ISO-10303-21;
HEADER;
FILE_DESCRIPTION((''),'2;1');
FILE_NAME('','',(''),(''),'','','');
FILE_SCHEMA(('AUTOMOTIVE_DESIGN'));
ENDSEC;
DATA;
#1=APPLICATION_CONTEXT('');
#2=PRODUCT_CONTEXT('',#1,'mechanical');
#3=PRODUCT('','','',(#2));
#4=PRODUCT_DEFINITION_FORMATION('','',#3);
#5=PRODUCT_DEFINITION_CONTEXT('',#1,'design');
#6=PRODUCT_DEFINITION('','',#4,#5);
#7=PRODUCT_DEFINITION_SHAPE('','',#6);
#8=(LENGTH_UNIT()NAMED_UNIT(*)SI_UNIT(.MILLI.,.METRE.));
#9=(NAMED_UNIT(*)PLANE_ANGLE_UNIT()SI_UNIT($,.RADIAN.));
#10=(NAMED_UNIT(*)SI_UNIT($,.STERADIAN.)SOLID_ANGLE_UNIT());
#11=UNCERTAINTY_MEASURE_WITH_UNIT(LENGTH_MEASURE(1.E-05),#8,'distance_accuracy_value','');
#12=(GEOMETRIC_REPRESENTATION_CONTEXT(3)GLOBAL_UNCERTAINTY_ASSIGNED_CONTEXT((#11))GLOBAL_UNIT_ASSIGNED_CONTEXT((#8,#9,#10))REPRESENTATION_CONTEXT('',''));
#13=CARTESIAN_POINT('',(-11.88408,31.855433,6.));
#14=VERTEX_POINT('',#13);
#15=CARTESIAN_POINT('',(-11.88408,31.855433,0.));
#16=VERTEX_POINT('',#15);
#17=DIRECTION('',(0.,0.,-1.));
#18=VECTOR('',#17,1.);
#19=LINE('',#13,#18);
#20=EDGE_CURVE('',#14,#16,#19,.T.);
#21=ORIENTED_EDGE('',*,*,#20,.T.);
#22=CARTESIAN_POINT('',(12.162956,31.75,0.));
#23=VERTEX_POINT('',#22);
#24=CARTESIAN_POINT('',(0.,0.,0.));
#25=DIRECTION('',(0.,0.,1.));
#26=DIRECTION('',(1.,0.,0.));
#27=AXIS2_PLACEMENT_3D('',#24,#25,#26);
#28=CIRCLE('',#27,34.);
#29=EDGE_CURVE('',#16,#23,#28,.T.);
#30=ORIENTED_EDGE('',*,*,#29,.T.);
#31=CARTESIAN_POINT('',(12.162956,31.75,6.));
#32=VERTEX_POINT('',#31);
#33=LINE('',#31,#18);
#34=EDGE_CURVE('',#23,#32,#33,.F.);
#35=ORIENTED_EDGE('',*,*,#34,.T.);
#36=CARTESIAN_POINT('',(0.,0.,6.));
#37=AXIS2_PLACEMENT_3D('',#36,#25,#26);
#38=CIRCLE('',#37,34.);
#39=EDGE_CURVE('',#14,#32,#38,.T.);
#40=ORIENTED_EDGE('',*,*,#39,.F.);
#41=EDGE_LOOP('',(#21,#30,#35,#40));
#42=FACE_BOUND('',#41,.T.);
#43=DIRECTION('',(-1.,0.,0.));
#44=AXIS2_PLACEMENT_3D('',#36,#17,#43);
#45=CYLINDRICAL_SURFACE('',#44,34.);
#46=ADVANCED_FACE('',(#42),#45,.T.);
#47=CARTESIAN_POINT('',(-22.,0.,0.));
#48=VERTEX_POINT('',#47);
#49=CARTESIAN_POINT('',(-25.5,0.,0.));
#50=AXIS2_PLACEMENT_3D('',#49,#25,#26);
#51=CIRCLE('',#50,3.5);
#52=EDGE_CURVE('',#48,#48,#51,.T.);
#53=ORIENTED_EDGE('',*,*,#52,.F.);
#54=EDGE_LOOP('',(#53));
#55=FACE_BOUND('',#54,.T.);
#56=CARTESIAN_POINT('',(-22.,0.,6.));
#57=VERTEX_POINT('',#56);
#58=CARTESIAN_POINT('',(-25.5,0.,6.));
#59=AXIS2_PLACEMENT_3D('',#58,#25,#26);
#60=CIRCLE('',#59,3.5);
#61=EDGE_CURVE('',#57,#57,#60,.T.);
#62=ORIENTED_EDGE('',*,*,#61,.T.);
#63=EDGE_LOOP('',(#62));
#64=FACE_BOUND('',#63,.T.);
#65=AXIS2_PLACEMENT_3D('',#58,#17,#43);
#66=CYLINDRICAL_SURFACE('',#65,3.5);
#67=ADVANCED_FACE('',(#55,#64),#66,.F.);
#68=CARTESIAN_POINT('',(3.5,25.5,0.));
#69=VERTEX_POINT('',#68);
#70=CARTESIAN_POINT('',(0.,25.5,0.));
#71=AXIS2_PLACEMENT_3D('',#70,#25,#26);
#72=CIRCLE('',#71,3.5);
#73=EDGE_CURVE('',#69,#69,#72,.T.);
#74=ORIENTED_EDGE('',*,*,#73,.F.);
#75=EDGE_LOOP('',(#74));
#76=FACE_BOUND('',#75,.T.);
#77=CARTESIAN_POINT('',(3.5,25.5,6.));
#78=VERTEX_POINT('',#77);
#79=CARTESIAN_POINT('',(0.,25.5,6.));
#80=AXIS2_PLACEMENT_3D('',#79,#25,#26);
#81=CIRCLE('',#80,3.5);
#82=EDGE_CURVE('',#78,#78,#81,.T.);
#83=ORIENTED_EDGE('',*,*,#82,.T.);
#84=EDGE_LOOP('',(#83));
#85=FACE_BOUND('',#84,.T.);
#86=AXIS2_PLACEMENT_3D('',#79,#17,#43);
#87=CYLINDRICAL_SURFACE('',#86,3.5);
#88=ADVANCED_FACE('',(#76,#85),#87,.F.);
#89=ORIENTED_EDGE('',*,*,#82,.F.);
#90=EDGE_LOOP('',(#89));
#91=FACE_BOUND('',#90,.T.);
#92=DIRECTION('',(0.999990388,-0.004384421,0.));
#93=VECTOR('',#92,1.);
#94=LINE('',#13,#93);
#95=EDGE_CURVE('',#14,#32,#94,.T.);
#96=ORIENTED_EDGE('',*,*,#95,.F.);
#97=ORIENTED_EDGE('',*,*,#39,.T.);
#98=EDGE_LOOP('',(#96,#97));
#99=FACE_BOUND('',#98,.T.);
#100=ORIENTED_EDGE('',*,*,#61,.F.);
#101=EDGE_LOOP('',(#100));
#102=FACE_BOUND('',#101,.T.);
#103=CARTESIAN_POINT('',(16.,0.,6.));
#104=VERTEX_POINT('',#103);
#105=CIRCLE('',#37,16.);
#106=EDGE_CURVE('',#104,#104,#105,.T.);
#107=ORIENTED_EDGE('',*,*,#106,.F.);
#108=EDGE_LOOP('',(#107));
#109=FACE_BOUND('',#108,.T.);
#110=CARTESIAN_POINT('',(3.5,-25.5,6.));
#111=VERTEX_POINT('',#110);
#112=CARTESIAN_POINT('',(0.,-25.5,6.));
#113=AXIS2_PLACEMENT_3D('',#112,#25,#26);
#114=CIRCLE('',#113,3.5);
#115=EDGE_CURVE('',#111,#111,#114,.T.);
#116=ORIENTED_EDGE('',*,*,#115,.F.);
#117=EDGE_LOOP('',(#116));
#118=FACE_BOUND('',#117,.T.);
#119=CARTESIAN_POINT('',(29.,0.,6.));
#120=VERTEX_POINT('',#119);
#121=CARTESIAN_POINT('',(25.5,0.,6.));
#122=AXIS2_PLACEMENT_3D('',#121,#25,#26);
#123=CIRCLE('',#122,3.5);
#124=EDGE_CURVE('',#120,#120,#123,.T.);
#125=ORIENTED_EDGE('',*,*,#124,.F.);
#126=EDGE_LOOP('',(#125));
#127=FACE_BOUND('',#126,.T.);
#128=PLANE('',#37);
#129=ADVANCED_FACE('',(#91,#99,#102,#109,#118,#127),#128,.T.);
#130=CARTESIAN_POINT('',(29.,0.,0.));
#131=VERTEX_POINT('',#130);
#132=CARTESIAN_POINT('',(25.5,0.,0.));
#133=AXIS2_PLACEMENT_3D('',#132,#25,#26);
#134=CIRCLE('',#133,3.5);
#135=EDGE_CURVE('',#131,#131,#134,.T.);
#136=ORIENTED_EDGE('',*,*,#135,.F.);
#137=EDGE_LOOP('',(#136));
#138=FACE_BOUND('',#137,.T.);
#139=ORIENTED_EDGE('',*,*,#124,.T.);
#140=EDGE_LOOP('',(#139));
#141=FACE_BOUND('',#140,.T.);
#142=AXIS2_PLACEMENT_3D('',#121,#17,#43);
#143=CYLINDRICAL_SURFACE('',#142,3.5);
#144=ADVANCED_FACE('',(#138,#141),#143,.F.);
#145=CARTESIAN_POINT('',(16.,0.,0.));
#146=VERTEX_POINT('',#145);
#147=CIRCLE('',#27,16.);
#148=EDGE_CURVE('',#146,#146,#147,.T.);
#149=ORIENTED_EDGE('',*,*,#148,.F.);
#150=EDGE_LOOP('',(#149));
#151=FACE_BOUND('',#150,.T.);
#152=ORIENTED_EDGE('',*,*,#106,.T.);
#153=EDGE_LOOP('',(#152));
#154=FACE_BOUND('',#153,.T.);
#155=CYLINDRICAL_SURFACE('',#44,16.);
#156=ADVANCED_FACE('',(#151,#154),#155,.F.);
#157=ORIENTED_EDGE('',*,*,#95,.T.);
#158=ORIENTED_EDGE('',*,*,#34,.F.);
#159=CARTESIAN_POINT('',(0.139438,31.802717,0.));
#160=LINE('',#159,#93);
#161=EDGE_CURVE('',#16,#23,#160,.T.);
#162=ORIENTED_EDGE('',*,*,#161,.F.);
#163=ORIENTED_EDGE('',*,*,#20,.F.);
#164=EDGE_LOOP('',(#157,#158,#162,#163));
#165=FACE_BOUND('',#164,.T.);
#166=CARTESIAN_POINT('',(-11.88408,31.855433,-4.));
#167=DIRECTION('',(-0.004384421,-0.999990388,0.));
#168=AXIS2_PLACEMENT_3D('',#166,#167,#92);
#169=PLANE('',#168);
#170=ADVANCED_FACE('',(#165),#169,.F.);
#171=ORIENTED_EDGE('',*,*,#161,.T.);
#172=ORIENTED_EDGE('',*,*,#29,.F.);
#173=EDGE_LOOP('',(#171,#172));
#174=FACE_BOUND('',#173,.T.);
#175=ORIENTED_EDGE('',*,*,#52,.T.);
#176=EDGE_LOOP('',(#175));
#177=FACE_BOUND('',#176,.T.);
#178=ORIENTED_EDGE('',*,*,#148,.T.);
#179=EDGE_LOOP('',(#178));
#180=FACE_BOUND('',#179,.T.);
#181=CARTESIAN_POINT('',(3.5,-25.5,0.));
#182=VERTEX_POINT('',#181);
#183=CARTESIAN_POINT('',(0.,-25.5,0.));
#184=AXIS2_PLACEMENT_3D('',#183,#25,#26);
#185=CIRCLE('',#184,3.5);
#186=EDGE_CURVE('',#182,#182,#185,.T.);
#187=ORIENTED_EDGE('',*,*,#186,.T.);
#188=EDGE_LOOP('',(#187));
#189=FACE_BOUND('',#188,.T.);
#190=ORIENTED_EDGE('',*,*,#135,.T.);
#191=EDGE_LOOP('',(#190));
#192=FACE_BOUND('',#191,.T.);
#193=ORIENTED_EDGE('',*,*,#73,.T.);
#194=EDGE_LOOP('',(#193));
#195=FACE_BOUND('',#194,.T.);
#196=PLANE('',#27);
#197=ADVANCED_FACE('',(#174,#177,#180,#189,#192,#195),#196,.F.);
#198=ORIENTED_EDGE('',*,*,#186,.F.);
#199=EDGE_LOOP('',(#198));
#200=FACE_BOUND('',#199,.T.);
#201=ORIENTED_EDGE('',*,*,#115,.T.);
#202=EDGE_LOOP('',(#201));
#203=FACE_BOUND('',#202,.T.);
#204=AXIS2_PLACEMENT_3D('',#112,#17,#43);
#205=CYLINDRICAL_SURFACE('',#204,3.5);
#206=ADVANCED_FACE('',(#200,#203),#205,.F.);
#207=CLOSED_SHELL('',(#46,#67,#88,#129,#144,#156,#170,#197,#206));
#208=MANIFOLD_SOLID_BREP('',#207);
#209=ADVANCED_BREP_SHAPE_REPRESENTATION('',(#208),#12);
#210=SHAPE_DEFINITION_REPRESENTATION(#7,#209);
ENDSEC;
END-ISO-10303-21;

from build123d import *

# Parameters (mm, degrees)
ESBO_O1_R                = 34
ESBO_O1_R_2              = 16
ESBO_O1_R_3              = 3.5
RESSALTO_EXTRUS_O1_DEPTH = 6
CORTE_EXTRUS_O1_START    = -10
CORTE_EXTRUS_O1_DEPTH    = 10


with BuildPart() as part:
    # Esboço1 → Ressalto-extrusão1 (new body)
    with BuildSketch(Plane.XY):
        Circle(ESBO_O1_R)
        Circle(ESBO_O1_R_2, mode=Mode.SUBTRACT)
        with Locations((0, 25.5)):
            Circle(ESBO_O1_R_3, mode=Mode.SUBTRACT)
        with Locations((25.5, 0)):
            Circle(ESBO_O1_R_3, mode=Mode.SUBTRACT)
        with Locations((0, -25.5)):
            Circle(ESBO_O1_R_3, mode=Mode.SUBTRACT)
        with Locations((-25.5, 0)):
            Circle(ESBO_O1_R_3, mode=Mode.SUBTRACT)
    extrude(amount=RESSALTO_EXTRUS_O1_DEPTH)

    # Esboço2 → Corte-extrusão1 (cut)
    with BuildSketch(Plane.XY.offset(6).offset(CORTE_EXTRUS_O1_START)):
        with BuildLine():
            Line((-11.884080362, 31.855433351), (12.162956055, 31.75))
            ThreePointArc((12.162956055, 31.75), (0.149070322, 33.999673205), (-11.884080362, 31.855433351))
        make_face()
    extrude(amount=CORTE_EXTRUS_O1_DEPTH, mode=Mode.SUBTRACT)


solid = part.part
